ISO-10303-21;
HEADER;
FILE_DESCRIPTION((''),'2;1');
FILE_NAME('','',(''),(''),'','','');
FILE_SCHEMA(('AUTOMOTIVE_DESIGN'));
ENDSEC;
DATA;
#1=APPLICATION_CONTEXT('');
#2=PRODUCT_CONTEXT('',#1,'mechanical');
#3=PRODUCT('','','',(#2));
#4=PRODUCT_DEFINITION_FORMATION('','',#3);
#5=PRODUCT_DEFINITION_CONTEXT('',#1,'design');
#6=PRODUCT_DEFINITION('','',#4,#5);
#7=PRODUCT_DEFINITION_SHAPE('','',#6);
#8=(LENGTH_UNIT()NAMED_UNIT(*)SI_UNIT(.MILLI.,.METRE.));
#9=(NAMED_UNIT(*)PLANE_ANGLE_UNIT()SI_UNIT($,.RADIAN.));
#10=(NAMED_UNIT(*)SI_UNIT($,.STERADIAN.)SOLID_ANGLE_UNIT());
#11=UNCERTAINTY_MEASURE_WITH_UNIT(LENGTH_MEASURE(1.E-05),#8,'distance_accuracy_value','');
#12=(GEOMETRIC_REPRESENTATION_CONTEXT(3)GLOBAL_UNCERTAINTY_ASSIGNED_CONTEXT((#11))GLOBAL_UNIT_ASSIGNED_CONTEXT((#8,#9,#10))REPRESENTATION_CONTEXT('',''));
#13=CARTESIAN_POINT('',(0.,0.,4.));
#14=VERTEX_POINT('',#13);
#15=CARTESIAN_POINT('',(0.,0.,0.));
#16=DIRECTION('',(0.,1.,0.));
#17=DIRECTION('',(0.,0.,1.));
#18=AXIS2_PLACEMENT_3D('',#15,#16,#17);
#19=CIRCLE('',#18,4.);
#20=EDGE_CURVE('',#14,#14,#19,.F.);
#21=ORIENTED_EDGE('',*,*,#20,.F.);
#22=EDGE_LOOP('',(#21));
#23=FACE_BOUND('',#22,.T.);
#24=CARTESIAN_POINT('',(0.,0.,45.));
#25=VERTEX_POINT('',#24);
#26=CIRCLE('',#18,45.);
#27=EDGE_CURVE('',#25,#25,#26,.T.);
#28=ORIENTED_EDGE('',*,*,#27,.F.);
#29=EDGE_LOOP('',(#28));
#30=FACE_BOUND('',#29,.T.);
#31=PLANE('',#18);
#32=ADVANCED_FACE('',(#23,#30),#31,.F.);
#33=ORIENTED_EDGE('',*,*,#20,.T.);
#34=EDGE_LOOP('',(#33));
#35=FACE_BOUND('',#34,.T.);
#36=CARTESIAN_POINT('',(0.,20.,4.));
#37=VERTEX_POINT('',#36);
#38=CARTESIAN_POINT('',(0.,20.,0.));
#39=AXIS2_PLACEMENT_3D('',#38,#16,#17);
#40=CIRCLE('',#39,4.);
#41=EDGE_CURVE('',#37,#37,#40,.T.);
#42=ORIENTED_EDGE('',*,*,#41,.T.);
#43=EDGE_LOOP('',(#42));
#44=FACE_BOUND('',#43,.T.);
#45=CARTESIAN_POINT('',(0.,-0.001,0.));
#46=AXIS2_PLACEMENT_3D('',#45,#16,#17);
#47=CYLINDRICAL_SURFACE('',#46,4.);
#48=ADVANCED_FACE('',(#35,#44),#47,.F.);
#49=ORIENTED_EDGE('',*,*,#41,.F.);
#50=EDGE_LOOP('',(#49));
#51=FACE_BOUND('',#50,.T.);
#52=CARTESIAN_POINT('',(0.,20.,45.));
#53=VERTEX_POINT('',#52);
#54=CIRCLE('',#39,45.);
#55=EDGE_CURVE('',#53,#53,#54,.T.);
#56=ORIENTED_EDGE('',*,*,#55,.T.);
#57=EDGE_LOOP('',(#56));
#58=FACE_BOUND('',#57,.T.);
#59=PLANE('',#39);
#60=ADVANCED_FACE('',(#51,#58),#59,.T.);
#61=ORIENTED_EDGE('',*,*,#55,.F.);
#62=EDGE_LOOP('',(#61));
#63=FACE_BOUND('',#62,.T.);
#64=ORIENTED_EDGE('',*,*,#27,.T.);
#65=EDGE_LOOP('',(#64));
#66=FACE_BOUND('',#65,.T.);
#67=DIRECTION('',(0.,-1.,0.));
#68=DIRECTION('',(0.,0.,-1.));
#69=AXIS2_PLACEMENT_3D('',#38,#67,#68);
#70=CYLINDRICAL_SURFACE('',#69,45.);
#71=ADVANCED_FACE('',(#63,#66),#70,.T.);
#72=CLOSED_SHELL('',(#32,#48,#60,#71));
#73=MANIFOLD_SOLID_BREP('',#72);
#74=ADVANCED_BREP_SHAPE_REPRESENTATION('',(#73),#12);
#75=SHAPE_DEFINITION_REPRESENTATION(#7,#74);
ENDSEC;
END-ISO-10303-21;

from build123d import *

# Parameters (mm, degrees)
SKETCH1_R           = 45
BOSS_EXTRUDE1_DEPTH = 20
CUT_EXTRUDE1_REACH  = 68.708
SKETCH2_R           = 4


with BuildPart() as part:
    # Sketch1 → Boss-Extrude1 (new body)
    with BuildSketch(Plane(origin=(0, 0, 0), x_dir=(1, 0, 0), z_dir=(0, 1, 0))):
        with Locations(Location((0, 0, 0), (0, 0, 270))):
            Circle(SKETCH1_R)
    extrude(amount=BOSS_EXTRUDE1_DEPTH)

    # Sketch2 → Cut-Extrude1 (cut, up to next)
    with BuildSketch(Plane(origin=(0, 20, 0), x_dir=(1, 0, 0), z_dir=(0, 1, 0)), mode=Mode.PRIVATE) as cut_extrude1_sk1:
        with Locations(Location((0, 0, 0), (0, 0, 270))):
            Circle(SKETCH2_R)
    cut_extrude1_tool1 = extrude(cut_extrude1_sk1.sketch, amount=-CUT_EXTRUDE1_REACH, mode=Mode.PRIVATE) & part.part
    add(cut_extrude1_tool1.solids().sort_by_distance((0, 20, 0))[0], mode=Mode.SUBTRACT)


solid = part.part
